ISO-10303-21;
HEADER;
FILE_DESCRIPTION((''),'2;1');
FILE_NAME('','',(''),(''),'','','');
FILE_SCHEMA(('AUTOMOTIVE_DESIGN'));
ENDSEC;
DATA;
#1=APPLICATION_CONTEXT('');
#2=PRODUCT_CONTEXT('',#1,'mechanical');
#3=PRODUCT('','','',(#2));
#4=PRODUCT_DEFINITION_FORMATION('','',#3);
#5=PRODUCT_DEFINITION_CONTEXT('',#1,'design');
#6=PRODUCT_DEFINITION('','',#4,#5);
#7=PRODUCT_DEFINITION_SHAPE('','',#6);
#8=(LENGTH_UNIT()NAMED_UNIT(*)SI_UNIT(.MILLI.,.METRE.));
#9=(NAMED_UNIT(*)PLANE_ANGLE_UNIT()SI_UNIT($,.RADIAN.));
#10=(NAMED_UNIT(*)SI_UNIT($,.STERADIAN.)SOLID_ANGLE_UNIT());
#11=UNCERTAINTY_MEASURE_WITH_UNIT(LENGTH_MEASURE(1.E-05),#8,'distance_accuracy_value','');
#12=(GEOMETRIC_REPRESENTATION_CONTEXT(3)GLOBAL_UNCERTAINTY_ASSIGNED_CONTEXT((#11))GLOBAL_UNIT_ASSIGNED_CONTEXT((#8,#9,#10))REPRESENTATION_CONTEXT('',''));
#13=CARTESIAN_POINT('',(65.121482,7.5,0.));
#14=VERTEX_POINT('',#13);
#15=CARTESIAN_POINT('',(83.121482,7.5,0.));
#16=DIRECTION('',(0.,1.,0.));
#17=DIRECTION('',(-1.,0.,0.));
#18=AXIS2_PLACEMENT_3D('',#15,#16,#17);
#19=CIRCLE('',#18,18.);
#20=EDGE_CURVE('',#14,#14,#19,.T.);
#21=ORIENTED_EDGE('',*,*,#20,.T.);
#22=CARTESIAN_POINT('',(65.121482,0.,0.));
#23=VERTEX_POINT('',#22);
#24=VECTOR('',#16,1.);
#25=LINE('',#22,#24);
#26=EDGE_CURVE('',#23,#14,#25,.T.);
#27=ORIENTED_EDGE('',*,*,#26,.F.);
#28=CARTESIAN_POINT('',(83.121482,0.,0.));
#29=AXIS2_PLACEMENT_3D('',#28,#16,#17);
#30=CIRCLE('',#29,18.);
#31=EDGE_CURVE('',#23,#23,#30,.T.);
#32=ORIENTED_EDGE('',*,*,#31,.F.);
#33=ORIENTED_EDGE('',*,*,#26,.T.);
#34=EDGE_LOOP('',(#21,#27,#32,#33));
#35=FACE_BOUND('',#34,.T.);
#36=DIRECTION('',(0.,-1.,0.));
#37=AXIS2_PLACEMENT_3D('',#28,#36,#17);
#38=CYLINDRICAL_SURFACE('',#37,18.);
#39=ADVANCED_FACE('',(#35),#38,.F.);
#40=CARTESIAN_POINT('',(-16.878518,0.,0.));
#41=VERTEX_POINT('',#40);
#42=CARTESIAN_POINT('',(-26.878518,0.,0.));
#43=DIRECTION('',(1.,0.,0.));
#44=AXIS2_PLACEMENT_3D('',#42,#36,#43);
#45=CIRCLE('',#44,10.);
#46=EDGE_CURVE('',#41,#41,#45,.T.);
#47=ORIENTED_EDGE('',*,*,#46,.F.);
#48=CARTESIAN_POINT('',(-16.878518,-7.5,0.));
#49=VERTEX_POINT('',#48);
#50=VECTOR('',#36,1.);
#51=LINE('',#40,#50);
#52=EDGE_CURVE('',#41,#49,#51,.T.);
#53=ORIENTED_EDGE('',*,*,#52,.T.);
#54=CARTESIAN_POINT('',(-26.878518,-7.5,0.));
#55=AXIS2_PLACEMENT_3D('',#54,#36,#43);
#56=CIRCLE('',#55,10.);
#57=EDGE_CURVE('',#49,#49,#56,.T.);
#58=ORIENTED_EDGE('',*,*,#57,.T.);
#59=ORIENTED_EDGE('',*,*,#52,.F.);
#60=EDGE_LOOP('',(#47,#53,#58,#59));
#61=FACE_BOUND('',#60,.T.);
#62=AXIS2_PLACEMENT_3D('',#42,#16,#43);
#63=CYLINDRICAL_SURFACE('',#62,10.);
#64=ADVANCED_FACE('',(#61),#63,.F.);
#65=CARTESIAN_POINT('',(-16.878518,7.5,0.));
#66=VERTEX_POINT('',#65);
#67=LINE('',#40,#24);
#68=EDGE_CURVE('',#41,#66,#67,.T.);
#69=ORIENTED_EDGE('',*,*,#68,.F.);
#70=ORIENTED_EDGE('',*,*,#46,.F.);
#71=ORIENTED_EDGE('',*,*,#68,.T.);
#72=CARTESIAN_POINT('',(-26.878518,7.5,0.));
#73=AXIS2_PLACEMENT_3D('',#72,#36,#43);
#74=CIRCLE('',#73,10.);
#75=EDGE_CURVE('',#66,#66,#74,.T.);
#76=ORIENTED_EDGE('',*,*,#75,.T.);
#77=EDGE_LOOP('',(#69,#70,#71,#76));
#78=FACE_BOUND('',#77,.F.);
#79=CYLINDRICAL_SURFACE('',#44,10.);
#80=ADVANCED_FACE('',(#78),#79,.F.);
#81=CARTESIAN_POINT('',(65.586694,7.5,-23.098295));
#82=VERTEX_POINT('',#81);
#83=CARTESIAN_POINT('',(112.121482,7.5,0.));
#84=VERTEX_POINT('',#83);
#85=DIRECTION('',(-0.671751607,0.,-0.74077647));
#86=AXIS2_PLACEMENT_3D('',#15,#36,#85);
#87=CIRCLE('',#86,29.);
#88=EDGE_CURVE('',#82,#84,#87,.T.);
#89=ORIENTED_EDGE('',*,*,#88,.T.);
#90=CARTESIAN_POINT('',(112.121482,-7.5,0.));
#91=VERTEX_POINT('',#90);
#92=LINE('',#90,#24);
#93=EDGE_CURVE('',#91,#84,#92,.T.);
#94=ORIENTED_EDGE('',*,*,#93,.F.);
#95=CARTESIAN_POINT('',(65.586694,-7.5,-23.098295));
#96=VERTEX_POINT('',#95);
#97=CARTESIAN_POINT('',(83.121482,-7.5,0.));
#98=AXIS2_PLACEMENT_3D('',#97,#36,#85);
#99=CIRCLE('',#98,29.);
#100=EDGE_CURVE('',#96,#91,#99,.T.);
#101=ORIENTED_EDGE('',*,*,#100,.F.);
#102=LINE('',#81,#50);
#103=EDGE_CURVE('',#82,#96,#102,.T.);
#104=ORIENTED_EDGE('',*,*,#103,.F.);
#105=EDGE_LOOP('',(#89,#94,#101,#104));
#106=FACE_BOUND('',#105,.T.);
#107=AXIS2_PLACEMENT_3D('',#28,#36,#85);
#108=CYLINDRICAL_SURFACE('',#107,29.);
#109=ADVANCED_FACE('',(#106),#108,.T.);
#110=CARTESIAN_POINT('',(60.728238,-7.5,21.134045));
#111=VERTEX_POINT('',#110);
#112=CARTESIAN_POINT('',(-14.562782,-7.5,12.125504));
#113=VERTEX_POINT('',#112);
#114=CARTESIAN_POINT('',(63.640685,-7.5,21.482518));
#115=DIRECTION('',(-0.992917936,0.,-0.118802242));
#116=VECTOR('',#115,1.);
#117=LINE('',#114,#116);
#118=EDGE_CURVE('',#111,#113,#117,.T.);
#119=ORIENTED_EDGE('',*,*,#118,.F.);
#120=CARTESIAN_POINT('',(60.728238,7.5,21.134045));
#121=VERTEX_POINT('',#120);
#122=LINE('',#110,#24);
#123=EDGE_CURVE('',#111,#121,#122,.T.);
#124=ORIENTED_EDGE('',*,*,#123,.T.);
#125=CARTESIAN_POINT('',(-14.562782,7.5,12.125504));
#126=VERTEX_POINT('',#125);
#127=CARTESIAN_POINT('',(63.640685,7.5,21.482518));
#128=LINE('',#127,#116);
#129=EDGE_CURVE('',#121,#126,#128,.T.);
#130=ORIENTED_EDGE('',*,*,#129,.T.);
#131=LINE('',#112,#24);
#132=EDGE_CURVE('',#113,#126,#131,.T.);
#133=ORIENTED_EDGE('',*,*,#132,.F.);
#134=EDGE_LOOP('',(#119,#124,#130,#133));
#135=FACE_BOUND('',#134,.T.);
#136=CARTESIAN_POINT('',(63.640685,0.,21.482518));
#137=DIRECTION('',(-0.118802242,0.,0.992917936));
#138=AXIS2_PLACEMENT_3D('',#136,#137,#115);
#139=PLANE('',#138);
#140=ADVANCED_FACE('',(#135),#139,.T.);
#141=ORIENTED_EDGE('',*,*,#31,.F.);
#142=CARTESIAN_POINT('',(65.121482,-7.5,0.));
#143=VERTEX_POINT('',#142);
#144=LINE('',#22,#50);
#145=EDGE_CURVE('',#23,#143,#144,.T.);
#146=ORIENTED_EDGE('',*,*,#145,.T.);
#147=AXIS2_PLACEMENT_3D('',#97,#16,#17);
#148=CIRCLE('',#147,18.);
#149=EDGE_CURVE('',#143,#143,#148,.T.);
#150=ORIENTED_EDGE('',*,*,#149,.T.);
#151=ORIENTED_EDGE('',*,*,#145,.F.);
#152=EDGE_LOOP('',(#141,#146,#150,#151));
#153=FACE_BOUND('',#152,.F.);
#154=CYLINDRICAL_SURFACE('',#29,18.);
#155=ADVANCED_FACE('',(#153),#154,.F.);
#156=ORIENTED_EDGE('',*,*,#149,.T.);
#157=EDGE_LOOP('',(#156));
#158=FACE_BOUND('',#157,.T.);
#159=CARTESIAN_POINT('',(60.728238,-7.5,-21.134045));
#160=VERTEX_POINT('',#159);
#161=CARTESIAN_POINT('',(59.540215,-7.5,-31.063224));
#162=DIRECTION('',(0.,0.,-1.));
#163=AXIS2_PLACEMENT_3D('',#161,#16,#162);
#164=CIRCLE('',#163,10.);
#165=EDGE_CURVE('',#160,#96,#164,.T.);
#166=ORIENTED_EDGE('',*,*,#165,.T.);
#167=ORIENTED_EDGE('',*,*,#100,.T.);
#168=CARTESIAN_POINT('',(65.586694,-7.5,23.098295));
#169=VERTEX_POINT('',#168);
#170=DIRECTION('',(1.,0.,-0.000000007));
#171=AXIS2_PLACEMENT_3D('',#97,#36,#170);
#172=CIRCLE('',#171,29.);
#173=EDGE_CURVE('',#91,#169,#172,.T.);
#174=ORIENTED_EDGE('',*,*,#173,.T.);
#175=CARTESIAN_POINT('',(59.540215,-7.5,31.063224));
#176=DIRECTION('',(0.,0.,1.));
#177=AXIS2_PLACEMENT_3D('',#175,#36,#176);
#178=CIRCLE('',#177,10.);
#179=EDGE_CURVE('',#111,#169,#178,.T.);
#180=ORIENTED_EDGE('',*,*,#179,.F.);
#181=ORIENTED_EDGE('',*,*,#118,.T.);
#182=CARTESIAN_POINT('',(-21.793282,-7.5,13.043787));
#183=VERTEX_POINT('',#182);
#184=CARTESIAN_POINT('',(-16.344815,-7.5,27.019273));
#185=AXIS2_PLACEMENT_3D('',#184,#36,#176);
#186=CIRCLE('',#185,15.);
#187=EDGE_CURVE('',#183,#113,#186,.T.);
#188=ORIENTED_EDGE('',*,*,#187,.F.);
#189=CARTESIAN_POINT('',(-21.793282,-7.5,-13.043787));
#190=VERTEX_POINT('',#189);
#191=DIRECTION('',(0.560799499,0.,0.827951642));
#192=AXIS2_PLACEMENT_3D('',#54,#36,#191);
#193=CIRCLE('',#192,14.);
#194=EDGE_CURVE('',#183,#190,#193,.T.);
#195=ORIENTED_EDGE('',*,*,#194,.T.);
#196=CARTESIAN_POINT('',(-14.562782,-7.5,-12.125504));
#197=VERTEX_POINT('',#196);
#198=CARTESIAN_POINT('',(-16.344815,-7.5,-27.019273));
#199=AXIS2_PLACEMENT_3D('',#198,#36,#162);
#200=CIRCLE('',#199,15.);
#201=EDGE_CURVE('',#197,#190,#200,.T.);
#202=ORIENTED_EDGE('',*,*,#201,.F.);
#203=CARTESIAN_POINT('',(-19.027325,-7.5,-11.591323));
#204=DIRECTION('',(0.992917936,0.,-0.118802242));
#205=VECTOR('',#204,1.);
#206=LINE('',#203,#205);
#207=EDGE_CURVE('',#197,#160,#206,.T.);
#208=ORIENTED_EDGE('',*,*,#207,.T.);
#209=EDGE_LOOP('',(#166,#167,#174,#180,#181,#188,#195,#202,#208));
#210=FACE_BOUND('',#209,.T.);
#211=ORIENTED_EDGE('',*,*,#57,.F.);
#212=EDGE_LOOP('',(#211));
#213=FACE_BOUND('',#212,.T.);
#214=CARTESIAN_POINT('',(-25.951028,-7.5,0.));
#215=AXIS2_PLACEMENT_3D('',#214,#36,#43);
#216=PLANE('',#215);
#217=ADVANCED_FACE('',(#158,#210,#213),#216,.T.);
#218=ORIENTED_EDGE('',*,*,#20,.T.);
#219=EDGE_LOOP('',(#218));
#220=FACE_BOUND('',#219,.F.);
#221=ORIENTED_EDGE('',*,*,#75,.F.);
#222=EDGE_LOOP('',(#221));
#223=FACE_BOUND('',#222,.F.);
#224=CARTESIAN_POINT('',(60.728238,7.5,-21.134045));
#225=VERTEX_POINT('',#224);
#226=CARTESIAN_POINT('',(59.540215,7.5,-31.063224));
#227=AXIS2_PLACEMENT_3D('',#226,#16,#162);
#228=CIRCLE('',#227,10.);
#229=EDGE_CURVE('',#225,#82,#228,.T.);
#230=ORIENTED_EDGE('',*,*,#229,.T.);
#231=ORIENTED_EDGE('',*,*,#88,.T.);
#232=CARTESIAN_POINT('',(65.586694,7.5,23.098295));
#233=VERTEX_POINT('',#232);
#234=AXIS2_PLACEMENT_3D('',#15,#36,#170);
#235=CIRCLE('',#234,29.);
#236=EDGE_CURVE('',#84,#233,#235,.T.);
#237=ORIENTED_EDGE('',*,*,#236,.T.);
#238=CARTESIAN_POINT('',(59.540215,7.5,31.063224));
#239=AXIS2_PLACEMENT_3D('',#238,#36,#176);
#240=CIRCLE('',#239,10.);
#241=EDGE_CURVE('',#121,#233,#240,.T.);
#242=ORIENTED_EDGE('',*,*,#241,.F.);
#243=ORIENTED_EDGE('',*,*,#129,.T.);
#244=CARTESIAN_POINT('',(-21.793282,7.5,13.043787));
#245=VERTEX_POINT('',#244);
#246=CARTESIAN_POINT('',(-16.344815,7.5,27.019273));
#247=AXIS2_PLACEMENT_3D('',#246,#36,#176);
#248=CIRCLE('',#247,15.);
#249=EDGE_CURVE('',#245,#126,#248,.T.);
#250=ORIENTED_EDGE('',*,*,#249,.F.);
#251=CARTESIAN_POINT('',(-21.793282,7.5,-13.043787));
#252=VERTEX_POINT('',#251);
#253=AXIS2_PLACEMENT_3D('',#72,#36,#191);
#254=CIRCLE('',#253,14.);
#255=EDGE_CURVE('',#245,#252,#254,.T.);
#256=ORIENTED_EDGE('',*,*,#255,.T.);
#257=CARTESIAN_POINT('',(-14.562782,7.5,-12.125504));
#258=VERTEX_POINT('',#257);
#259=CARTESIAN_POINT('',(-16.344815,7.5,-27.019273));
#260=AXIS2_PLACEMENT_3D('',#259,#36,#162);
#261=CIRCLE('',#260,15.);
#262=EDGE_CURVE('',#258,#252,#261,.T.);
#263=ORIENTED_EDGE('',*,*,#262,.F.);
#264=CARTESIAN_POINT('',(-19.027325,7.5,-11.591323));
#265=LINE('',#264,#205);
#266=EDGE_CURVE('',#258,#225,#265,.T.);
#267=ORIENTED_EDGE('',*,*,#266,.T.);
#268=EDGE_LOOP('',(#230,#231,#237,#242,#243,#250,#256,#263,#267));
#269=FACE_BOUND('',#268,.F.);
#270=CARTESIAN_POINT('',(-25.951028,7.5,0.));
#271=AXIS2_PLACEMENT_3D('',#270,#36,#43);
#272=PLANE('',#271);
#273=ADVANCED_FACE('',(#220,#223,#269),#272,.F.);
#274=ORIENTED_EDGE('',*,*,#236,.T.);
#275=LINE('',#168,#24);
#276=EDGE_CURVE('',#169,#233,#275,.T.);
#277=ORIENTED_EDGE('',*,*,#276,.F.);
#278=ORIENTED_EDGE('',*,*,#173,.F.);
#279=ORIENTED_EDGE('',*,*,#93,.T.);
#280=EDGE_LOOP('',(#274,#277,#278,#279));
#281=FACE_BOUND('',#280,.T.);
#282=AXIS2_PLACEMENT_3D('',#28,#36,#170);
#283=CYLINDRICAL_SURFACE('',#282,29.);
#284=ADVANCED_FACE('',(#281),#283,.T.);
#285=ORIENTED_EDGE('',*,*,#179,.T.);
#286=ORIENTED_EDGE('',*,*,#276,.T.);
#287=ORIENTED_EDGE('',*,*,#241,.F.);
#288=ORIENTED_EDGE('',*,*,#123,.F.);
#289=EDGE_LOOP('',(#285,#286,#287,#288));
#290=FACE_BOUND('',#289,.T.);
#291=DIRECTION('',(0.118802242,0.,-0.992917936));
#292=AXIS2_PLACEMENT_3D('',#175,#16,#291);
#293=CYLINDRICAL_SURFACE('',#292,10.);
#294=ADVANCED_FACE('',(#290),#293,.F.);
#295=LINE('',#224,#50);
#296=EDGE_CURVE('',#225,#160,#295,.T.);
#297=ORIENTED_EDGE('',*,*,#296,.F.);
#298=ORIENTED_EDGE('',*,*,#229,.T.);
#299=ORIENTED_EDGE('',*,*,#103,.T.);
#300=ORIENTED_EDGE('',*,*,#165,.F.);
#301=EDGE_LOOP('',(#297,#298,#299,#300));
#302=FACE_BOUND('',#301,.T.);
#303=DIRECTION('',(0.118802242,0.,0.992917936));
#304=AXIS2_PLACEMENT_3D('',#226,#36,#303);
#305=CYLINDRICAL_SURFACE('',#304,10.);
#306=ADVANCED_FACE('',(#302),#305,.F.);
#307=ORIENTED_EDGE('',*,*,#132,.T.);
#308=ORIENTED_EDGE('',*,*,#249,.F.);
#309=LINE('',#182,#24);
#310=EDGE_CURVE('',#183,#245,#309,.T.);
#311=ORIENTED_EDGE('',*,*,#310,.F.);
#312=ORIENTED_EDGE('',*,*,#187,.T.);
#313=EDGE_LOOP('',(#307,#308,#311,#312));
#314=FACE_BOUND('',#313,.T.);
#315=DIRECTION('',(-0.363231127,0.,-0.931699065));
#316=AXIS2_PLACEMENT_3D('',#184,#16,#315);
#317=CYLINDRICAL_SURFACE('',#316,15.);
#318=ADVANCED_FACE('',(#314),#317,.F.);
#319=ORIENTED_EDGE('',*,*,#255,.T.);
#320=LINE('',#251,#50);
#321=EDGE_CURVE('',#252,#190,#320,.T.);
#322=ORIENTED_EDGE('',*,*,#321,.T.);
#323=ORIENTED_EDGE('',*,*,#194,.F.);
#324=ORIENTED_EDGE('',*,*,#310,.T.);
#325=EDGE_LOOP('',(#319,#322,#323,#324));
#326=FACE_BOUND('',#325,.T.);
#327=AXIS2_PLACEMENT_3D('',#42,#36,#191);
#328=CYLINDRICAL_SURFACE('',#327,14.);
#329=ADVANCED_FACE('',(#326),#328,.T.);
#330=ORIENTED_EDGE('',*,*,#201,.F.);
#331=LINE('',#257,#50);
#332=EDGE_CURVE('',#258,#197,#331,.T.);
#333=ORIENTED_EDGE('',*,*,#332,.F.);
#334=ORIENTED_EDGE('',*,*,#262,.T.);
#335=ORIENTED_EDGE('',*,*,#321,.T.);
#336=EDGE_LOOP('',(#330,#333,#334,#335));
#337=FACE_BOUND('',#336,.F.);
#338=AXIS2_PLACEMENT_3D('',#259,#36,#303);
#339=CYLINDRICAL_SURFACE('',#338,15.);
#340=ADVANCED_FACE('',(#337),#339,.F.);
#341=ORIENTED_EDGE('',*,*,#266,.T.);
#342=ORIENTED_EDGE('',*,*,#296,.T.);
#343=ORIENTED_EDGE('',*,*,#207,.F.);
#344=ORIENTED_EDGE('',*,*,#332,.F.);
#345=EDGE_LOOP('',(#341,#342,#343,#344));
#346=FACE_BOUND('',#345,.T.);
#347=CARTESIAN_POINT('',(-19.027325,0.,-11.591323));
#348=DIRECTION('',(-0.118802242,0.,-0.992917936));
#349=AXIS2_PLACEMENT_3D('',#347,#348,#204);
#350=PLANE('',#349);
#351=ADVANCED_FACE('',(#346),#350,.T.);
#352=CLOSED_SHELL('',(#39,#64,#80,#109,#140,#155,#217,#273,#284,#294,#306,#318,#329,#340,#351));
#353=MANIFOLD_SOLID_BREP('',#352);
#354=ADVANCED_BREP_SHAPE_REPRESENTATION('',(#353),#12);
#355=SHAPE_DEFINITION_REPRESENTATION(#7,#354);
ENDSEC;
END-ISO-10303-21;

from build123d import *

# Parameters (mm, degrees)
F0_R     = 10
F1_DEPTH = 7.5
F2_R     = 10
F3_R     = 10
F4_R     = 15
F5_R     = 15


with BuildPart() as f1:
    # F0 (on Front) → F1 (new body, symmetric)
    with BuildSketch(Plane.XZ):
        with BuildLine():
            ThreePointArc((-19.027325, -11.591323), (-14.510885, -6.560614), (-12.878518, 0))
            ThreePointArc((-12.878518, 0), (-14.510885, 6.560614), (-19.027325, 11.591323))
            ThreePointArc((-19.027325, 11.591323), (-40.878518, 0), (-19.027325, -11.591323))
        make_face()
        with Locations((-26.878518, 0)):
            Circle(F0_R, mode=Mode.SUBTRACT)
        with BuildLine():
            Line((54.121482, 0), (-12.878518, 0))
            ThreePointArc((-12.878518, 0), (-14.510885, -6.560614), (-19.027325, -11.591323))
            Line((-19.027325, -11.591323), (63.640685, -21.482518))
            ThreePointArc((63.640685, -21.482518), (56.607871, -11.748551), (54.121482, 0))
        make_face()
        with BuildLine():
            ThreePointArc((-19.027325, 11.591323), (-14.510885, 6.560614), (-12.878518, 0))
            Line((-12.878518, 0), (54.121482, 0))
            ThreePointArc((54.121482, 0), (56.607871, 11.748551), (63.640685, 21.482518))
            Line((63.640685, 21.482518), (-19.027325, 11.591323))
        make_face()
        with BuildLine():
            ThreePointArc((63.640685, 21.482518), (56.607871, 11.748551), (54.121482, 0))
            ThreePointArc((54.121482, 0), (56.607871, -11.748551), (63.640685, -21.482518))
            ThreePointArc((63.640685, -21.482518), (94.870033, -26.513611), (112.121482, 0))
            ThreePointArc((112.121482, 0), (94.870033, 26.513611), (63.640685, 21.482518))
        make_face()
        with BuildLine():
            ThreePointArc((101.121482, 0), (83.121482, -18), (65.121482, 0))
            ThreePointArc((65.121482, 0), (83.121482, 18), (101.121482, 0))
        make_face(mode=Mode.SUBTRACT)
    extrude(amount=F1_DEPTH, both=True)

    # F2
    f2_edges = [f1.edges().sort_by_distance(p)[0] for p in [
        (63.640685, -3.75, 21.482518),
    ]]
    fillet(f2_edges, radius=F2_R)

    # F3
    f3_edges = [f1.edges().sort_by_distance(p)[0] for p in [
        (63.640685, 3.75, -21.482518),
    ]]
    fillet(f3_edges, radius=F3_R)

    # F4
    f4_edges = [f1.edges().sort_by_distance(p)[0] for p in [
        (-19.027325, 0, -11.591323),
    ]]
    fillet(f4_edges, radius=F4_R)

    # F5
    f5_edges = [f1.edges().sort_by_distance(p)[0] for p in [
        (-19.027325, 0, 11.591323),
    ]]
    fillet(f5_edges, radius=F5_R)


solid = f1.part
